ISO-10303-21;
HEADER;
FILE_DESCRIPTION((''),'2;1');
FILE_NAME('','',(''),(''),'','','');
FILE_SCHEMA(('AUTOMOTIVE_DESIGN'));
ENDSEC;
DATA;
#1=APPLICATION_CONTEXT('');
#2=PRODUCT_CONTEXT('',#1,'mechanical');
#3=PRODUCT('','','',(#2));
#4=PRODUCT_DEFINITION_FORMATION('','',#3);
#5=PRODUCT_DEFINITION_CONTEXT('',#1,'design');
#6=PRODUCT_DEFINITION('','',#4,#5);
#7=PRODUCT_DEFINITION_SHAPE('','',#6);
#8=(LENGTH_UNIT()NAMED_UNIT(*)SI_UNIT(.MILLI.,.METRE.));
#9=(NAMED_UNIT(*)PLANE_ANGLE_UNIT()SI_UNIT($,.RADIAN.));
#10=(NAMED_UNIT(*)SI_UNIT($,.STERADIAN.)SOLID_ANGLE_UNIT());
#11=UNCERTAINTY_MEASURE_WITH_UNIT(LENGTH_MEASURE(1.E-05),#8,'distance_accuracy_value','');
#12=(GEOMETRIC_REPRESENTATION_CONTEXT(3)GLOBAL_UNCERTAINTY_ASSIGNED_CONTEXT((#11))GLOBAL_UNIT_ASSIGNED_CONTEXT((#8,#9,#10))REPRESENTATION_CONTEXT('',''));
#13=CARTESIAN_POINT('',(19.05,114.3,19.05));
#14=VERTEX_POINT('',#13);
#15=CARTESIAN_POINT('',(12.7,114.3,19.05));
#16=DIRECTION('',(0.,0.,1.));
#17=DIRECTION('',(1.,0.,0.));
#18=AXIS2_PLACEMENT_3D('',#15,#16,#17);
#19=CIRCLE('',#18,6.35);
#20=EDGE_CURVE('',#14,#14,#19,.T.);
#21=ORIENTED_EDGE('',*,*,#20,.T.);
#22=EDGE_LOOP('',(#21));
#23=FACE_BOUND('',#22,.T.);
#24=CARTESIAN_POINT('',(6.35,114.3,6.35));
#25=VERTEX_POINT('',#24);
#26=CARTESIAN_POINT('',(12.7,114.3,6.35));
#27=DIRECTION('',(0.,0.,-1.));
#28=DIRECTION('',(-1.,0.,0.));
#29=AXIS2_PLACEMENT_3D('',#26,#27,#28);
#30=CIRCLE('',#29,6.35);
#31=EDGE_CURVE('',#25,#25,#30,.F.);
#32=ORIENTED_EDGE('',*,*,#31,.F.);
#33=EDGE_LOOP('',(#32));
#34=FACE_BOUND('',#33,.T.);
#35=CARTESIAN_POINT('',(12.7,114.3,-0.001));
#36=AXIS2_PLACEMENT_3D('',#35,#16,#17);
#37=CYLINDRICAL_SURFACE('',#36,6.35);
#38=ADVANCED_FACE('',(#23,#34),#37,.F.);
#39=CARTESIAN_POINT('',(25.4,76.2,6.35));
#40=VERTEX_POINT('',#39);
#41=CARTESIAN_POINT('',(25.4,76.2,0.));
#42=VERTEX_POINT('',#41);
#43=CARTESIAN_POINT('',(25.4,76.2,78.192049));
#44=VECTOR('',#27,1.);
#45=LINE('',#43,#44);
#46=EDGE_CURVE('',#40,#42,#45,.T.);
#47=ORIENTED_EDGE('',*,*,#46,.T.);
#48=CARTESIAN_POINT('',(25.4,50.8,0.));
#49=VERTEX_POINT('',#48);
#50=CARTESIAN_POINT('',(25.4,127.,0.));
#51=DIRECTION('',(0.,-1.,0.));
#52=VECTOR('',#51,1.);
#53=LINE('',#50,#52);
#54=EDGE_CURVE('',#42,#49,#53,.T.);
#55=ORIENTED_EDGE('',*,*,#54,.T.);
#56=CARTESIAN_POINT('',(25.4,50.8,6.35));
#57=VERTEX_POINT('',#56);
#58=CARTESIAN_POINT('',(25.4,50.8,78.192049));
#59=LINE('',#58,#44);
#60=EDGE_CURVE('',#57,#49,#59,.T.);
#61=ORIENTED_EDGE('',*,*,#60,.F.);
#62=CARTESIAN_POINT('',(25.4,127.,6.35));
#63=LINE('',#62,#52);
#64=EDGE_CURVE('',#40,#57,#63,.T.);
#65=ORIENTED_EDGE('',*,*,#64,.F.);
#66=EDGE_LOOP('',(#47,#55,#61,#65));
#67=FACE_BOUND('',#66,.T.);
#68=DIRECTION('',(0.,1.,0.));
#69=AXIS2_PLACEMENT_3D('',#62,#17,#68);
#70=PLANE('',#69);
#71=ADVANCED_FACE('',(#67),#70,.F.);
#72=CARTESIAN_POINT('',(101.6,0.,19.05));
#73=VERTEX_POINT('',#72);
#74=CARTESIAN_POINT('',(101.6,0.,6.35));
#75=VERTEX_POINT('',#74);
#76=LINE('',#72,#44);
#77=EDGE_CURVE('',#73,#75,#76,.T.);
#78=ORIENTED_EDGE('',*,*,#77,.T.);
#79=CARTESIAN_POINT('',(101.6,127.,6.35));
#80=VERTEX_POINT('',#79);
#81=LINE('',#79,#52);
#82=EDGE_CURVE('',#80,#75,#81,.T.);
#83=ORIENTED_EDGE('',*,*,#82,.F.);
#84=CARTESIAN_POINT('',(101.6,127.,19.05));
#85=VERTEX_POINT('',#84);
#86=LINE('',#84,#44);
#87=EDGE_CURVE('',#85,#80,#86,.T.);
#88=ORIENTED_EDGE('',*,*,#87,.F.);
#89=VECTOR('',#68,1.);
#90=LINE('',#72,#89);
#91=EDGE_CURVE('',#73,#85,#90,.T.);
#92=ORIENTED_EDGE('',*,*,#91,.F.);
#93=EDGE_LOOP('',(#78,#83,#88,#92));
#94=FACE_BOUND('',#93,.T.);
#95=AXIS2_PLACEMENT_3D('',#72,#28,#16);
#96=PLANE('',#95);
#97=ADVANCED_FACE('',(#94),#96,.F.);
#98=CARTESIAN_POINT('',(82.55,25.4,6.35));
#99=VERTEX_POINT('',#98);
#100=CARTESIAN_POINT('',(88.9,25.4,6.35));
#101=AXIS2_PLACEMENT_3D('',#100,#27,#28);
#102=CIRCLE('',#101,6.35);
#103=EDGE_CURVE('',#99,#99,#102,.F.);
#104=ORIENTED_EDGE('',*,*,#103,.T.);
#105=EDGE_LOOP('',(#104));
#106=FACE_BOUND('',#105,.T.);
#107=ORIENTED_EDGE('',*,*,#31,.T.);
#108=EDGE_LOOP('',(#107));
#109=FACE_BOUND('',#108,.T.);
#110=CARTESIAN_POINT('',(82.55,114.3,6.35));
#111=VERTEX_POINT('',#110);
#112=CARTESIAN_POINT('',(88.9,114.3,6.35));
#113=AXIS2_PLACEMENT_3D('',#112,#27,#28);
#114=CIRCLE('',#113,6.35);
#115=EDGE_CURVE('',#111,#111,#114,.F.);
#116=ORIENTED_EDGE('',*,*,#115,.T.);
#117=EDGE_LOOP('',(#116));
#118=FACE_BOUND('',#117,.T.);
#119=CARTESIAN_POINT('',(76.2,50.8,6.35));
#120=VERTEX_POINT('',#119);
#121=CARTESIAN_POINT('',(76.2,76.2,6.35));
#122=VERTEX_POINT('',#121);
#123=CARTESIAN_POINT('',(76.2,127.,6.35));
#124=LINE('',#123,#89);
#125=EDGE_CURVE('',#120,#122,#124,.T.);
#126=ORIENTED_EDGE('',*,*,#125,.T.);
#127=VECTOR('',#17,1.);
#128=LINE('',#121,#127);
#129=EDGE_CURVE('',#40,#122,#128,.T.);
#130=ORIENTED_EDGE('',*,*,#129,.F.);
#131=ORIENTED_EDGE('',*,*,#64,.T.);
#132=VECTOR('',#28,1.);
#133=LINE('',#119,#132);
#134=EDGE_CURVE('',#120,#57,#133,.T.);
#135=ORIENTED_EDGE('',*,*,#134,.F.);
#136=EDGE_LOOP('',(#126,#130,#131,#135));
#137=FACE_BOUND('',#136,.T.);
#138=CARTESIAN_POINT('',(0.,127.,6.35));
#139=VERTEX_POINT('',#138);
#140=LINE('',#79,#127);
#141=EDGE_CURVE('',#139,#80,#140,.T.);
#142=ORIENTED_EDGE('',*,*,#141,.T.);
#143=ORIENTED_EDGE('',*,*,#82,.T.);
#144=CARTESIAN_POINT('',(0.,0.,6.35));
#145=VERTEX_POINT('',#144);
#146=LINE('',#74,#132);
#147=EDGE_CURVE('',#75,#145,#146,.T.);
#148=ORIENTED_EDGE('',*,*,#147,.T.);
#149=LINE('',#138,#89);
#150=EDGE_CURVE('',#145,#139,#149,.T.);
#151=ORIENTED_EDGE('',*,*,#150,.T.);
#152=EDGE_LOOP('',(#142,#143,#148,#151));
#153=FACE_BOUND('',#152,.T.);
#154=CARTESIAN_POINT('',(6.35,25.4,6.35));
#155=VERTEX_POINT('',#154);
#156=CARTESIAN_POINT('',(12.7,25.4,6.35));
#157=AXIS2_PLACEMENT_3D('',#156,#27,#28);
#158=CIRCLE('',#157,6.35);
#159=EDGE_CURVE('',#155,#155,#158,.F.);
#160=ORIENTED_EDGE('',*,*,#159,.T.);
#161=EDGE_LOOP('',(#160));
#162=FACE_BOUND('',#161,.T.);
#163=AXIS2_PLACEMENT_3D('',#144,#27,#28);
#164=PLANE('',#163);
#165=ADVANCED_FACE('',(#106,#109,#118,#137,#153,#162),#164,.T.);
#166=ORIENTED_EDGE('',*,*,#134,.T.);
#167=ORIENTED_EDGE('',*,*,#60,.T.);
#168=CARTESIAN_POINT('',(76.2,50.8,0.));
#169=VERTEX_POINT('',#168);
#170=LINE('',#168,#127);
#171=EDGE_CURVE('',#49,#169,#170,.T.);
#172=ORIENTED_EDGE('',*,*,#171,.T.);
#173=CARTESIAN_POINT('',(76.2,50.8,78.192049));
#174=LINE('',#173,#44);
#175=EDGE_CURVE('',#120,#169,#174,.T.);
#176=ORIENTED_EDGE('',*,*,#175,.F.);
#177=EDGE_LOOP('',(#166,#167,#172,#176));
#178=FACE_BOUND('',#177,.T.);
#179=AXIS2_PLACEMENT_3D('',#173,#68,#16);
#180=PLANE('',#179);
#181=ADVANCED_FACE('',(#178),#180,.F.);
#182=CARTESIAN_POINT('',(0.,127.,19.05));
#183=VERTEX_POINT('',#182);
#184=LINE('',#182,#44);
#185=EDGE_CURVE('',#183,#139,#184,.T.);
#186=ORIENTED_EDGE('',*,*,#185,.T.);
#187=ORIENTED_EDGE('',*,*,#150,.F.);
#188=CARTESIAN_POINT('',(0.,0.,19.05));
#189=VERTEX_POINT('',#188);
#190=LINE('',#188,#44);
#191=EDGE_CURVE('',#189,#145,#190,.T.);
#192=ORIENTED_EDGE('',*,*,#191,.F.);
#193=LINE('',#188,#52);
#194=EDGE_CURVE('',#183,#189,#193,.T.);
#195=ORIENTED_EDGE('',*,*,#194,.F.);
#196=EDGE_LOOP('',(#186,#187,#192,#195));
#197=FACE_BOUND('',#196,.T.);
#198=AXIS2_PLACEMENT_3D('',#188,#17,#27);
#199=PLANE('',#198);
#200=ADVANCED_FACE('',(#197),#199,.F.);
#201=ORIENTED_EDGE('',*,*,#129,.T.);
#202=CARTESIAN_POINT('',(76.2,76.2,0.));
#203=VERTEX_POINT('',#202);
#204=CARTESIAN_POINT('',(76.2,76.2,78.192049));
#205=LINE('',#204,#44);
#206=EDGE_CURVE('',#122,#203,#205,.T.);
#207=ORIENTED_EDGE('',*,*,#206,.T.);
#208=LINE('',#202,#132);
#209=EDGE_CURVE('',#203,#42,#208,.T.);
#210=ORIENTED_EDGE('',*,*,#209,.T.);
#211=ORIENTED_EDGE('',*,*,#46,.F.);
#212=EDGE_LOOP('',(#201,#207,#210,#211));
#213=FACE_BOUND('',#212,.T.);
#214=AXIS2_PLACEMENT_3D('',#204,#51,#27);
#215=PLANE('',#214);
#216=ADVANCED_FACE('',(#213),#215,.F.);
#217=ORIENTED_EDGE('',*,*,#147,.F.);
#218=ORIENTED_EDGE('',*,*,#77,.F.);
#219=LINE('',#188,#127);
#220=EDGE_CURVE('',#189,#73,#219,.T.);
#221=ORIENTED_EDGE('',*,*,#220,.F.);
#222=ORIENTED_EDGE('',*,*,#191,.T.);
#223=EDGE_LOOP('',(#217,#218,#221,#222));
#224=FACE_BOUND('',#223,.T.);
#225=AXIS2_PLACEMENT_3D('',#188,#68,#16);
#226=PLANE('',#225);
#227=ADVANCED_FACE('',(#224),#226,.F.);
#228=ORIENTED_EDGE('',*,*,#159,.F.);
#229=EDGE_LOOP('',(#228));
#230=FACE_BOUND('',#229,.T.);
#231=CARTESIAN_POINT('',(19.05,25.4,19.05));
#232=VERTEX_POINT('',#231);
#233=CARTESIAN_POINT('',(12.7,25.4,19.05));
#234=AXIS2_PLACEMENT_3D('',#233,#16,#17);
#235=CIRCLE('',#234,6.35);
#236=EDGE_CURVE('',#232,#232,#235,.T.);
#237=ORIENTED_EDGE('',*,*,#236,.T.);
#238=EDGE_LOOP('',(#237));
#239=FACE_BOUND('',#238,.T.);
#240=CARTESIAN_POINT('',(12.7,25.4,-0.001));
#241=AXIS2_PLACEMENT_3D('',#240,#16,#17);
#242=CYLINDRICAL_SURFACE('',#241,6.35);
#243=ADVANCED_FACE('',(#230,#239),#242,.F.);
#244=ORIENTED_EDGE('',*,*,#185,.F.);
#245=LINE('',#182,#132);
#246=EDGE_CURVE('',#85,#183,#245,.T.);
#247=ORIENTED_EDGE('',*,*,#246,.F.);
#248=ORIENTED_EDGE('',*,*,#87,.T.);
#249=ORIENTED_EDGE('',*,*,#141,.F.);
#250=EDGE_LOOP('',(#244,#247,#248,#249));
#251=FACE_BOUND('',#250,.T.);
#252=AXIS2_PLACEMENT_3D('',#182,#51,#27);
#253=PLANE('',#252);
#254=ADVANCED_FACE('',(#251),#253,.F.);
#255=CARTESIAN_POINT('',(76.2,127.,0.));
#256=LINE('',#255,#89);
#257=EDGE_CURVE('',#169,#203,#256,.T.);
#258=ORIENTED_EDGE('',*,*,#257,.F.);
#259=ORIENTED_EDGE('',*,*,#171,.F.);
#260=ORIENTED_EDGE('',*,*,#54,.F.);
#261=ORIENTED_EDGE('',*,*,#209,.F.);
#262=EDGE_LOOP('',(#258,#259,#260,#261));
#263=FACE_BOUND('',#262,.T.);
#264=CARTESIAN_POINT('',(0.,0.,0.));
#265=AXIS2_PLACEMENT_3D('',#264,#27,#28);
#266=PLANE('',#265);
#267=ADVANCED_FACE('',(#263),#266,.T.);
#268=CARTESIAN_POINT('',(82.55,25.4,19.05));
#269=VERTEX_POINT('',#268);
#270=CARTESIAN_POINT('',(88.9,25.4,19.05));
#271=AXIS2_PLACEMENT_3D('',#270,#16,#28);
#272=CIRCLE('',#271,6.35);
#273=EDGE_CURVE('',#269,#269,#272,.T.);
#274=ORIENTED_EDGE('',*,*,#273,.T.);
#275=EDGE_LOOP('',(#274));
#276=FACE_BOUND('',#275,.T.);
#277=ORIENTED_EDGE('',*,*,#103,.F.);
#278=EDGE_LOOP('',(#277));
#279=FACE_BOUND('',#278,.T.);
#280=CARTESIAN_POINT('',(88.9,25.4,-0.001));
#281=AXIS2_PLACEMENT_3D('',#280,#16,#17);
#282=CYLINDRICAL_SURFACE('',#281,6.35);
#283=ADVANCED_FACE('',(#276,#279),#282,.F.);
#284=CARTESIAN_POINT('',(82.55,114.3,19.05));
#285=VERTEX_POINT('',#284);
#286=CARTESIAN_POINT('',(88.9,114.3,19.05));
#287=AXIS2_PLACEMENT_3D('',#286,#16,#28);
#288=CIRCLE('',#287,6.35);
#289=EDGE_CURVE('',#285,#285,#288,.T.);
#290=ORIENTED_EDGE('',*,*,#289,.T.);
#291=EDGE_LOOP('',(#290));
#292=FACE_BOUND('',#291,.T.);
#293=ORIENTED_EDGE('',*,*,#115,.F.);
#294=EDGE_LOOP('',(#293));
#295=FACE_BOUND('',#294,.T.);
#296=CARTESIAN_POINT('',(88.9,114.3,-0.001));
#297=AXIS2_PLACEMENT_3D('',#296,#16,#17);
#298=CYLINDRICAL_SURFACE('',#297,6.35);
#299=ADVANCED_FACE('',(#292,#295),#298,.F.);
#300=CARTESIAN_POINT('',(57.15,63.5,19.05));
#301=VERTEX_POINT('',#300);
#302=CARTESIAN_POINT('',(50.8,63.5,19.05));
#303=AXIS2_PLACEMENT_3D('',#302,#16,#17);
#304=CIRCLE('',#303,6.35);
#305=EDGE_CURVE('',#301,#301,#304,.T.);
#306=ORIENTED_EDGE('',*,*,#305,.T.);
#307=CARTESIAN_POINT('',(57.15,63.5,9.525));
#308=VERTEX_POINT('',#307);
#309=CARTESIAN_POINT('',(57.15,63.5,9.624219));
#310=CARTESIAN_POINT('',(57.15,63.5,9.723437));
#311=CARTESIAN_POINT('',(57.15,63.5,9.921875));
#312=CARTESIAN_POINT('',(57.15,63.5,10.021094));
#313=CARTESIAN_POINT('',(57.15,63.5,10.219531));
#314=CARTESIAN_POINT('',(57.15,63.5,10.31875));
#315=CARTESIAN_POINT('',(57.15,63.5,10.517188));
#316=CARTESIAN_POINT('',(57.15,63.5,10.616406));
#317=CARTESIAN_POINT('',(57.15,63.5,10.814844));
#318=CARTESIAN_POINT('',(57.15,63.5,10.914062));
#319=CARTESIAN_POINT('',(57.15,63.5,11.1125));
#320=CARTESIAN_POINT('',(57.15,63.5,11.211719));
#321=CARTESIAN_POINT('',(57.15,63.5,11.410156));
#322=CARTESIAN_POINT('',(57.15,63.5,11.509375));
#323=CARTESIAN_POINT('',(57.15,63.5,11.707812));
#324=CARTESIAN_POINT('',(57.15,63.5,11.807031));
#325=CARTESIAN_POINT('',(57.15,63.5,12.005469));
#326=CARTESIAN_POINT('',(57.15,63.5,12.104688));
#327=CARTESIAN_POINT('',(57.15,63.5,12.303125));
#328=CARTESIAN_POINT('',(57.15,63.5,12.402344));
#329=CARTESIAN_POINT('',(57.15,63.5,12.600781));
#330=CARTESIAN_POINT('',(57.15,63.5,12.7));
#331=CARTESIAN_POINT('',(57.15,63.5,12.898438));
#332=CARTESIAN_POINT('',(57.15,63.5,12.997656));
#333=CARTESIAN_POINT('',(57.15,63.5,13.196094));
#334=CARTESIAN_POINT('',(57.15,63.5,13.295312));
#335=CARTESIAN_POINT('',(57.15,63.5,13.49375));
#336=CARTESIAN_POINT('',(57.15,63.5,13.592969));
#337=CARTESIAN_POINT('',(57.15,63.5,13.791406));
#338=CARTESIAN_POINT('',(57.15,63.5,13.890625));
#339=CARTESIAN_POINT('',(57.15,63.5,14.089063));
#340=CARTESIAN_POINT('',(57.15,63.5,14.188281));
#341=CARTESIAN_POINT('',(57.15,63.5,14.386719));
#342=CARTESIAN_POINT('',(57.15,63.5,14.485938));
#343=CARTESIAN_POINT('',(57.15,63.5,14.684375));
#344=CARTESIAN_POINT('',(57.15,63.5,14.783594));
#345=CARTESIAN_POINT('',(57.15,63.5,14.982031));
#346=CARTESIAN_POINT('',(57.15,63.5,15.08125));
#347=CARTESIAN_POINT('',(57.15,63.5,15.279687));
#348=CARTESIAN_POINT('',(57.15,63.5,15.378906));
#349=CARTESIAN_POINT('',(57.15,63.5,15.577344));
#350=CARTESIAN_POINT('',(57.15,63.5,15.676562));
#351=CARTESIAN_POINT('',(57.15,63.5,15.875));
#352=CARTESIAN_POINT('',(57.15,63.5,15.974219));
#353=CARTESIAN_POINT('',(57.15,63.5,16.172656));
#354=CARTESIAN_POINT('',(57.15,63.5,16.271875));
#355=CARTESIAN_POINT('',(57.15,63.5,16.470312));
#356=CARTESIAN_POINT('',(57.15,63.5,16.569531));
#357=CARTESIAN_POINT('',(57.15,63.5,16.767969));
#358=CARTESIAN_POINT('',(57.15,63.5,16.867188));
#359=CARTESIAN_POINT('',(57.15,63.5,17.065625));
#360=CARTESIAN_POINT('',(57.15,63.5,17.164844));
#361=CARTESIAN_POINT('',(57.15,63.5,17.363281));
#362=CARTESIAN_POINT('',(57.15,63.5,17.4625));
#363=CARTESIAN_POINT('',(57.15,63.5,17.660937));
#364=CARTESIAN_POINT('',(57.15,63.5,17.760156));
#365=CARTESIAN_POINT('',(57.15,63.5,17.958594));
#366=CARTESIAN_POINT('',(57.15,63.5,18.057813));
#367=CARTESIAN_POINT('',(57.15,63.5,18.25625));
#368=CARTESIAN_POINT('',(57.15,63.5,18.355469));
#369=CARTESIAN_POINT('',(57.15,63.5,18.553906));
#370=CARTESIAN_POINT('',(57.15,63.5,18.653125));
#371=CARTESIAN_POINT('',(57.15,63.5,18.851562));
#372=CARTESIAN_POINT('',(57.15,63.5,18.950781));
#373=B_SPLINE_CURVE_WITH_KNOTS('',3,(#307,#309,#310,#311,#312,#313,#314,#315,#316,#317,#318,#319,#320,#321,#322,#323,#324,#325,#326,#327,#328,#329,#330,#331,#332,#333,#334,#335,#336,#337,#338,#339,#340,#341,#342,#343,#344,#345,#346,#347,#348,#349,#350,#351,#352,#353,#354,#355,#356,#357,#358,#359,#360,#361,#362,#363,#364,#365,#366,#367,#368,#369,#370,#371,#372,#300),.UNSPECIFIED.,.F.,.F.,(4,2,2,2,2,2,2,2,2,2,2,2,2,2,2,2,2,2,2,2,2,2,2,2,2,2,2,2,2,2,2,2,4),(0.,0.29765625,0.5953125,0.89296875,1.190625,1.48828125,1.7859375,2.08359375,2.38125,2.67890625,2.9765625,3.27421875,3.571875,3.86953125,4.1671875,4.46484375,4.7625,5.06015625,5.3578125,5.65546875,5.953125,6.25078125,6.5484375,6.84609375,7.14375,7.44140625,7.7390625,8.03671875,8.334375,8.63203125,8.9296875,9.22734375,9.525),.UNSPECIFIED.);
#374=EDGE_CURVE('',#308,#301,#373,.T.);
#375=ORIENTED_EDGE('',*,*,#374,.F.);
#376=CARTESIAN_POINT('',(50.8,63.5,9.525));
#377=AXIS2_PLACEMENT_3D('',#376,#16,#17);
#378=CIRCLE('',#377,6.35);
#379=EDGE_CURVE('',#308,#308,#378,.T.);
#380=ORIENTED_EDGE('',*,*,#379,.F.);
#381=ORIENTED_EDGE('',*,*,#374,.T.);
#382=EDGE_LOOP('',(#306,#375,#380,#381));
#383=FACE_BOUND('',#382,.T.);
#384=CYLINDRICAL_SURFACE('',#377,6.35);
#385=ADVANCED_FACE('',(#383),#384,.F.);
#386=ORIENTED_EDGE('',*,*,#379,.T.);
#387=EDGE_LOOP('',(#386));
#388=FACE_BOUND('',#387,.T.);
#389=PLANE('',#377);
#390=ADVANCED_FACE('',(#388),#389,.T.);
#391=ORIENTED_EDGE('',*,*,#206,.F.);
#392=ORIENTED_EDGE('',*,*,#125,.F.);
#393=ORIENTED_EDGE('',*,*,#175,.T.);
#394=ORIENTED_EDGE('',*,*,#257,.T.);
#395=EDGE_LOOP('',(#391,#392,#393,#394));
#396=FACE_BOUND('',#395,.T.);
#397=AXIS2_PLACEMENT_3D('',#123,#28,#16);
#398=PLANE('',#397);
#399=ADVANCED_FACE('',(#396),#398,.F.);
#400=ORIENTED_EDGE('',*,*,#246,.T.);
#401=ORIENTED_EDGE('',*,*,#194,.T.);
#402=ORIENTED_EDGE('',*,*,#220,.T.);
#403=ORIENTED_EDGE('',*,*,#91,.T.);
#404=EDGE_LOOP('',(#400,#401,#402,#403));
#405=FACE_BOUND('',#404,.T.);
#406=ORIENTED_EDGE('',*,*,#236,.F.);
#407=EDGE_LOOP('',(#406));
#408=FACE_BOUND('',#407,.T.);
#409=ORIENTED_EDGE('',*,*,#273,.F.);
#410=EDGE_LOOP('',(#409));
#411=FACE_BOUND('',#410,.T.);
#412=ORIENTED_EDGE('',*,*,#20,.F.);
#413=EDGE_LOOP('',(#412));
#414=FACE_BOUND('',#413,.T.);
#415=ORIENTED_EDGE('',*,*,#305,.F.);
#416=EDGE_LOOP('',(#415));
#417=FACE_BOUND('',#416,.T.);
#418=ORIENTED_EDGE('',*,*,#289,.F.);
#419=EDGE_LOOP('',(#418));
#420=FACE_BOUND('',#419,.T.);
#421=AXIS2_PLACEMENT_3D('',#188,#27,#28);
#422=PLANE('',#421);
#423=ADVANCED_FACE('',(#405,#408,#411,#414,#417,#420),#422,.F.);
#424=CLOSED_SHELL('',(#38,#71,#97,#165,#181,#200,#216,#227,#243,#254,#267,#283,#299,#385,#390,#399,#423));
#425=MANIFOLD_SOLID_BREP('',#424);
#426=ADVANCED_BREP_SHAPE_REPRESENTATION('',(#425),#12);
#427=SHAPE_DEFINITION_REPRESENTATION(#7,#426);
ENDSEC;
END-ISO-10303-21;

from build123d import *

# Parameters (mm, degrees)
SKETCH1_W           = 101.6
SKETCH1_H           = 127
BOSS_EXTRUDE1_DEPTH = 19.05
SKETCH2_W           = 25.4
SKETCH2_H           = 127
CUT_EXTRUDE1_DEPTH  = 6.35
CUT_EXTRUDE2_REACH  = 165.751
SKETCH4_R           = 6.35
SKETCH9_W           = 50.8
SKETCH9_H           = 50.8
CUT_EXTRUDE7_DEPTH  = 6.35
SKETCH11_R          = 6.35
CUT_EXTRUDE8_DEPTH  = 9.525


with BuildPart() as part:
    # Sketch1 → Boss-Extrude1 (new body)
    with BuildSketch(Plane.XY):
        with Locations((50.8, 63.5)):
            Rectangle(SKETCH1_W, SKETCH1_H)
    extrude(amount=BOSS_EXTRUDE1_DEPTH)

    # Sketch2 → Cut-Extrude1 (cut)
    with BuildSketch(Plane(origin=(0, 0, 0), x_dir=(-1, 0, 0), z_dir=(0, 0, -1))):
        with Locations((-88.9, 63.5)):
            Rectangle(SKETCH2_W, SKETCH2_H)
        with Locations((-12.7, 63.5)):
            Rectangle(SKETCH2_W, SKETCH2_H)
    extrude(amount=-CUT_EXTRUDE1_DEPTH, mode=Mode.SUBTRACT)

    # Sketch4 → Cut-Extrude2 (cut, up to next)
    with BuildSketch(Plane.XY.offset(19.05), mode=Mode.PRIVATE) as cut_extrude2_sk1:
        with Locations((12.7, 114.3)):
            Circle(SKETCH4_R)
    cut_extrude2_tool1 = extrude(cut_extrude2_sk1.sketch, amount=-CUT_EXTRUDE2_REACH, mode=Mode.PRIVATE) & part.part
    # Sketch4 → Cut-Extrude2 (cut, up to next)
    with BuildSketch(Plane.XY.offset(19.05), mode=Mode.PRIVATE) as cut_extrude2_sk2:
        with Locations((12.7, 25.4)):
            Circle(SKETCH4_R)
    cut_extrude2_tool2 = extrude(cut_extrude2_sk2.sketch, amount=-CUT_EXTRUDE2_REACH, mode=Mode.PRIVATE) & part.part
    # Sketch4 → Cut-Extrude2 (cut, up to next)
    with BuildSketch(Plane.XY.offset(19.05), mode=Mode.PRIVATE) as cut_extrude2_sk3:
        with Locations(Location((88.9, 25.4, 0), (0, 0, 180))):
            Circle(SKETCH4_R)
    cut_extrude2_tool3 = extrude(cut_extrude2_sk3.sketch, amount=-CUT_EXTRUDE2_REACH, mode=Mode.PRIVATE) & part.part
    # Sketch4 → Cut-Extrude2 (cut, up to next)
    with BuildSketch(Plane.XY.offset(19.05), mode=Mode.PRIVATE) as cut_extrude2_sk4:
        with Locations(Location((88.9, 114.3, 0), (0, 0, 180))):
            Circle(SKETCH4_R)
    cut_extrude2_tool4 = extrude(cut_extrude2_sk4.sketch, amount=-CUT_EXTRUDE2_REACH, mode=Mode.PRIVATE) & part.part
    add(cut_extrude2_tool1.solids().sort_by_distance((12.7, 114.3, 19.05))[0], mode=Mode.SUBTRACT)
    add(cut_extrude2_tool2.solids().sort_by_distance((12.7, 25.4, 19.05))[0], mode=Mode.SUBTRACT)
    add(cut_extrude2_tool3.solids().sort_by_distance((88.9, 25.4, 19.05))[0], mode=Mode.SUBTRACT)
    add(cut_extrude2_tool4.solids().sort_by_distance((88.9, 114.3, 19.05))[0], mode=Mode.SUBTRACT)

    # Sketch9 → Cut-Extrude7 (cut)
    with BuildSketch(Plane(origin=(0, 0, 0), x_dir=(-1, 0, 0), z_dir=(0, 0, -1))):
        with Locations((-50.8, 25.4)):
            Rectangle(SKETCH9_W, SKETCH9_H)
        with Locations((-50.8, 101.6)):
            Rectangle(SKETCH9_W, SKETCH9_H)
    extrude(amount=-CUT_EXTRUDE7_DEPTH, mode=Mode.SUBTRACT)

    # Sketch11 → Cut-Extrude8 (cut)
    with BuildSketch(Plane.XY.offset(19.05)):
        with Locations((50.8, 63.5)):
            Circle(SKETCH11_R)
    extrude(amount=-CUT_EXTRUDE8_DEPTH, mode=Mode.SUBTRACT)


solid = part.part
